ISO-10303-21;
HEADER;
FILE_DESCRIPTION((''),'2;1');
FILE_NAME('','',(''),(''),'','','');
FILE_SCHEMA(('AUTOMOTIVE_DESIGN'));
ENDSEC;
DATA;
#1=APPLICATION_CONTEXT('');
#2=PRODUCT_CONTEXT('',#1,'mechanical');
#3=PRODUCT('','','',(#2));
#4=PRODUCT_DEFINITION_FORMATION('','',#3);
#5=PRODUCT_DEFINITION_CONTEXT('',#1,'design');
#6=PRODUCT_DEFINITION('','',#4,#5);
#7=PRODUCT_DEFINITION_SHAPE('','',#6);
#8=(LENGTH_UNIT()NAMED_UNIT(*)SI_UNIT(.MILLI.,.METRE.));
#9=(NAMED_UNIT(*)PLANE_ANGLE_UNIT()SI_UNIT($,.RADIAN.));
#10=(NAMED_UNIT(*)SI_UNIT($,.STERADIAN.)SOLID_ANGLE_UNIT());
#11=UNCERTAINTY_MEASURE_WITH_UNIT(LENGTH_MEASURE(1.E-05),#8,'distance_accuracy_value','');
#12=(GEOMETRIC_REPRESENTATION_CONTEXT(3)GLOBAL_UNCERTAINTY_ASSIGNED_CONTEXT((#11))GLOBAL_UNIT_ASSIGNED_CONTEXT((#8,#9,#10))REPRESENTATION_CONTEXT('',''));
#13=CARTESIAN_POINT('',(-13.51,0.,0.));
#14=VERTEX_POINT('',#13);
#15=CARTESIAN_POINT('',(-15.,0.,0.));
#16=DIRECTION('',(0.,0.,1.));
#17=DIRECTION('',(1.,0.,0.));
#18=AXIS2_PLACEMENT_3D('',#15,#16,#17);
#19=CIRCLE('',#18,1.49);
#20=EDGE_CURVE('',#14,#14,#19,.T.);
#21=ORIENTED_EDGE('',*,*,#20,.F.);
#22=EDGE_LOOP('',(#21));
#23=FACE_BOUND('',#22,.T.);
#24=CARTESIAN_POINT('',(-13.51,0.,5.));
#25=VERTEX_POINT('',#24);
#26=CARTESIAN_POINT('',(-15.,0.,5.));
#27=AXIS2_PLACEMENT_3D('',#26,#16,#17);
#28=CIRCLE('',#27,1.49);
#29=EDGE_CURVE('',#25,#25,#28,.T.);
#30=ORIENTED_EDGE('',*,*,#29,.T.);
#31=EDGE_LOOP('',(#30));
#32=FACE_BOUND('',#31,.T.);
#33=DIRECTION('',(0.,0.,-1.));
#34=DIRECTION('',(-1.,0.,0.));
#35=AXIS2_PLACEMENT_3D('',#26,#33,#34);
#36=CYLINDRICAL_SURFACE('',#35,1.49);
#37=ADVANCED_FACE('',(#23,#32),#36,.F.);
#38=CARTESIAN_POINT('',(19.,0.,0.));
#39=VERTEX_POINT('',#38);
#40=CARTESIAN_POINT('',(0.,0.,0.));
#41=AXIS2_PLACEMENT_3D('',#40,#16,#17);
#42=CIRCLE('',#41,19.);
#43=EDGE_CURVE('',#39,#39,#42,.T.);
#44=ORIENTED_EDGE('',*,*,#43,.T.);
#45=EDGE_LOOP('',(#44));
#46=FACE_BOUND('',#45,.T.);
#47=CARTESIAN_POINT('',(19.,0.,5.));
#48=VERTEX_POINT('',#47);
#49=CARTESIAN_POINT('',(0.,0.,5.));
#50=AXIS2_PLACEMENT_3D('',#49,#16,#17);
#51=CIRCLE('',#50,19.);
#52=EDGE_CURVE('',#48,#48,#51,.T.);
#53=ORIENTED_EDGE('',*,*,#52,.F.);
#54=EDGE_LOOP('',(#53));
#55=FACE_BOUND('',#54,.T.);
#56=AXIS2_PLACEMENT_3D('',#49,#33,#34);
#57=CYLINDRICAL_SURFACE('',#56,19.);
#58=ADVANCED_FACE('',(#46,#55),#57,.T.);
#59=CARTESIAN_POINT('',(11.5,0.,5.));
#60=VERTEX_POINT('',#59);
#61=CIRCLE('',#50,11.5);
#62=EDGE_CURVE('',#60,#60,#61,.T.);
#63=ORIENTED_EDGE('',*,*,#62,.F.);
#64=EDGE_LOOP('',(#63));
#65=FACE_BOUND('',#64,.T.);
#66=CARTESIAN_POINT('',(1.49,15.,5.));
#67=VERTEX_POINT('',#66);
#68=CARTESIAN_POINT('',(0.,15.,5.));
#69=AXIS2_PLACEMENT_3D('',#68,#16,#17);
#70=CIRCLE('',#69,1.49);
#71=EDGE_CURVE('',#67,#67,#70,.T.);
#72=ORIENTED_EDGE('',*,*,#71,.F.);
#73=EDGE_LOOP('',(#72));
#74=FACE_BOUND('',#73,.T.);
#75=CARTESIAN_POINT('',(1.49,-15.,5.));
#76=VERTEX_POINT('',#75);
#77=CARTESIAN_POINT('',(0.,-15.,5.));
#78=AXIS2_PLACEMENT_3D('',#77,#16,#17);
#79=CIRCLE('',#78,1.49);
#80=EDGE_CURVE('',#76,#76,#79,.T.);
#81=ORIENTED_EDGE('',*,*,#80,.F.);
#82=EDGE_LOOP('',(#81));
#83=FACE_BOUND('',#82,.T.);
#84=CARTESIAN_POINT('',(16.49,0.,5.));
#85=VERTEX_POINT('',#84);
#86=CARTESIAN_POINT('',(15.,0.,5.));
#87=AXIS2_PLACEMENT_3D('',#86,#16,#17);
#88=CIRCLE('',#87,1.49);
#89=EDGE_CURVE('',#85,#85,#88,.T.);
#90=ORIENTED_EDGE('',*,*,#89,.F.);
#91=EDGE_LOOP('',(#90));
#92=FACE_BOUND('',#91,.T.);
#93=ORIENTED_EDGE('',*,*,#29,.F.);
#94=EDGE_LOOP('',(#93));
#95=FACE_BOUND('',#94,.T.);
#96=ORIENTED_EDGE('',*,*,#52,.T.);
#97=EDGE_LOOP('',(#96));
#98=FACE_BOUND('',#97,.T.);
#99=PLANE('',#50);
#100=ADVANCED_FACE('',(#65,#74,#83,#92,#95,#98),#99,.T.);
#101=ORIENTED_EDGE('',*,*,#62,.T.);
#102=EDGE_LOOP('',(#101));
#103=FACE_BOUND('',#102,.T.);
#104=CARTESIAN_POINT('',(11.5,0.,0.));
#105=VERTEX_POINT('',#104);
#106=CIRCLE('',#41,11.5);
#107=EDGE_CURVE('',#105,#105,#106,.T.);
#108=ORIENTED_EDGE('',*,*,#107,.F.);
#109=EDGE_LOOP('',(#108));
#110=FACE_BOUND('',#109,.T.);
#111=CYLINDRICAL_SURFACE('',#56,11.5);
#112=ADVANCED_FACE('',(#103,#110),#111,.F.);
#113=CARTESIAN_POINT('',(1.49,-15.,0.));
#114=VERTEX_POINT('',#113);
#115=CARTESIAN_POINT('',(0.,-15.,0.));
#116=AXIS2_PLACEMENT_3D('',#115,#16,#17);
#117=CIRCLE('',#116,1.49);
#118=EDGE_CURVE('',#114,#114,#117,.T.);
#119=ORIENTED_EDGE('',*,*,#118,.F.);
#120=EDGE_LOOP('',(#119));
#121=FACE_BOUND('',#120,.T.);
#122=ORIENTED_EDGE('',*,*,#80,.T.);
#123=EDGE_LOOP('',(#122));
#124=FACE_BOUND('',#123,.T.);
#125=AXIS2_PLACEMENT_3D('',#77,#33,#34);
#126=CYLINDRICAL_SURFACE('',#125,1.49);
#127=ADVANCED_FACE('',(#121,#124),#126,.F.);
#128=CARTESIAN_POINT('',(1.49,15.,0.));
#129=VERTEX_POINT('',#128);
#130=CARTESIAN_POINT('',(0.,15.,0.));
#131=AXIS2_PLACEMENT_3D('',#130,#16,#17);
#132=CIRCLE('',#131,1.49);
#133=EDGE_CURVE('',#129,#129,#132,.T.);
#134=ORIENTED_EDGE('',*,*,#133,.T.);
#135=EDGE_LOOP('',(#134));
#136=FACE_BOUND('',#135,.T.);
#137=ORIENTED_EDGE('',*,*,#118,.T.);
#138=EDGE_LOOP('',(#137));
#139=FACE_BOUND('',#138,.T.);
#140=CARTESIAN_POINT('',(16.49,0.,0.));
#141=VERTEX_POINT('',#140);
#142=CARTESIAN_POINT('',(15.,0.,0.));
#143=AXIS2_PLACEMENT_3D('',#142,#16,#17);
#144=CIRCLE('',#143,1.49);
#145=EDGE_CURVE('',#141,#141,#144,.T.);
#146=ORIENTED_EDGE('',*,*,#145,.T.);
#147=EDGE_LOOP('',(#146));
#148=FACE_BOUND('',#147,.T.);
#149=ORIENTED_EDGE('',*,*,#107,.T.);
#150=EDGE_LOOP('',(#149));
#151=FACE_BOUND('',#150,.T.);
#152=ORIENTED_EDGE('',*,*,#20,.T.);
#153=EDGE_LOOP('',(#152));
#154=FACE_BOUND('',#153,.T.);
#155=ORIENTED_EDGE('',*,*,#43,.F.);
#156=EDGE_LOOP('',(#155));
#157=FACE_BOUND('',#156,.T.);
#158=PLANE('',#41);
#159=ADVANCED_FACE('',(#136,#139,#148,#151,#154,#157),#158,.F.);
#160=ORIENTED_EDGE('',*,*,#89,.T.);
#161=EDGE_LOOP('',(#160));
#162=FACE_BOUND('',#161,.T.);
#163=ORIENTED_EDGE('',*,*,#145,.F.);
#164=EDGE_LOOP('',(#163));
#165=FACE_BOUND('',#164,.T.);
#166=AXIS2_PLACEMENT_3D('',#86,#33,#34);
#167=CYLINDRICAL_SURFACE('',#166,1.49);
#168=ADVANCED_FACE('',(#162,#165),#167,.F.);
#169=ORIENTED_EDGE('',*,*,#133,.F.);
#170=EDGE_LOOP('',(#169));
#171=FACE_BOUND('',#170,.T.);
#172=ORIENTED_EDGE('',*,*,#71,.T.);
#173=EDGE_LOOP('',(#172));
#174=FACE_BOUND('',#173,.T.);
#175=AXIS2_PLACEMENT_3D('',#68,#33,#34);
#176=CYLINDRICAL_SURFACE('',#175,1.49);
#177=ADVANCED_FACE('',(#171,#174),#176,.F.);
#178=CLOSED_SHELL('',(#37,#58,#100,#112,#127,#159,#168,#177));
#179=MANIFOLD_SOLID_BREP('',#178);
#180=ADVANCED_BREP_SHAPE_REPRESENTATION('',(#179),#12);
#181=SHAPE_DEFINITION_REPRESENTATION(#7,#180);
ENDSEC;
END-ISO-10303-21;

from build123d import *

# Parameters (mm, degrees)
SKETCH1_R           = 19
SKETCH1_R_2         = 1.49
SKETCH1_R_3         = 11.5
BOSS_EXTRUDE1_DEPTH = 5


with BuildPart() as part:
    # Sketch1 → Boss-Extrude1 (new body)
    with BuildSketch(Plane.XY):
        Circle(SKETCH1_R)
        with Locations((-15, 0)):
            Circle(SKETCH1_R_2, mode=Mode.SUBTRACT)
        with Locations((0, -15)):
            Circle(SKETCH1_R_2, mode=Mode.SUBTRACT)
        with Locations((15, 0)):
            Circle(SKETCH1_R_2, mode=Mode.SUBTRACT)
        with Locations((0, 15)):
            Circle(SKETCH1_R_2, mode=Mode.SUBTRACT)
        Circle(SKETCH1_R_3, mode=Mode.SUBTRACT)
    extrude(amount=BOSS_EXTRUDE1_DEPTH)


solid = part.part
